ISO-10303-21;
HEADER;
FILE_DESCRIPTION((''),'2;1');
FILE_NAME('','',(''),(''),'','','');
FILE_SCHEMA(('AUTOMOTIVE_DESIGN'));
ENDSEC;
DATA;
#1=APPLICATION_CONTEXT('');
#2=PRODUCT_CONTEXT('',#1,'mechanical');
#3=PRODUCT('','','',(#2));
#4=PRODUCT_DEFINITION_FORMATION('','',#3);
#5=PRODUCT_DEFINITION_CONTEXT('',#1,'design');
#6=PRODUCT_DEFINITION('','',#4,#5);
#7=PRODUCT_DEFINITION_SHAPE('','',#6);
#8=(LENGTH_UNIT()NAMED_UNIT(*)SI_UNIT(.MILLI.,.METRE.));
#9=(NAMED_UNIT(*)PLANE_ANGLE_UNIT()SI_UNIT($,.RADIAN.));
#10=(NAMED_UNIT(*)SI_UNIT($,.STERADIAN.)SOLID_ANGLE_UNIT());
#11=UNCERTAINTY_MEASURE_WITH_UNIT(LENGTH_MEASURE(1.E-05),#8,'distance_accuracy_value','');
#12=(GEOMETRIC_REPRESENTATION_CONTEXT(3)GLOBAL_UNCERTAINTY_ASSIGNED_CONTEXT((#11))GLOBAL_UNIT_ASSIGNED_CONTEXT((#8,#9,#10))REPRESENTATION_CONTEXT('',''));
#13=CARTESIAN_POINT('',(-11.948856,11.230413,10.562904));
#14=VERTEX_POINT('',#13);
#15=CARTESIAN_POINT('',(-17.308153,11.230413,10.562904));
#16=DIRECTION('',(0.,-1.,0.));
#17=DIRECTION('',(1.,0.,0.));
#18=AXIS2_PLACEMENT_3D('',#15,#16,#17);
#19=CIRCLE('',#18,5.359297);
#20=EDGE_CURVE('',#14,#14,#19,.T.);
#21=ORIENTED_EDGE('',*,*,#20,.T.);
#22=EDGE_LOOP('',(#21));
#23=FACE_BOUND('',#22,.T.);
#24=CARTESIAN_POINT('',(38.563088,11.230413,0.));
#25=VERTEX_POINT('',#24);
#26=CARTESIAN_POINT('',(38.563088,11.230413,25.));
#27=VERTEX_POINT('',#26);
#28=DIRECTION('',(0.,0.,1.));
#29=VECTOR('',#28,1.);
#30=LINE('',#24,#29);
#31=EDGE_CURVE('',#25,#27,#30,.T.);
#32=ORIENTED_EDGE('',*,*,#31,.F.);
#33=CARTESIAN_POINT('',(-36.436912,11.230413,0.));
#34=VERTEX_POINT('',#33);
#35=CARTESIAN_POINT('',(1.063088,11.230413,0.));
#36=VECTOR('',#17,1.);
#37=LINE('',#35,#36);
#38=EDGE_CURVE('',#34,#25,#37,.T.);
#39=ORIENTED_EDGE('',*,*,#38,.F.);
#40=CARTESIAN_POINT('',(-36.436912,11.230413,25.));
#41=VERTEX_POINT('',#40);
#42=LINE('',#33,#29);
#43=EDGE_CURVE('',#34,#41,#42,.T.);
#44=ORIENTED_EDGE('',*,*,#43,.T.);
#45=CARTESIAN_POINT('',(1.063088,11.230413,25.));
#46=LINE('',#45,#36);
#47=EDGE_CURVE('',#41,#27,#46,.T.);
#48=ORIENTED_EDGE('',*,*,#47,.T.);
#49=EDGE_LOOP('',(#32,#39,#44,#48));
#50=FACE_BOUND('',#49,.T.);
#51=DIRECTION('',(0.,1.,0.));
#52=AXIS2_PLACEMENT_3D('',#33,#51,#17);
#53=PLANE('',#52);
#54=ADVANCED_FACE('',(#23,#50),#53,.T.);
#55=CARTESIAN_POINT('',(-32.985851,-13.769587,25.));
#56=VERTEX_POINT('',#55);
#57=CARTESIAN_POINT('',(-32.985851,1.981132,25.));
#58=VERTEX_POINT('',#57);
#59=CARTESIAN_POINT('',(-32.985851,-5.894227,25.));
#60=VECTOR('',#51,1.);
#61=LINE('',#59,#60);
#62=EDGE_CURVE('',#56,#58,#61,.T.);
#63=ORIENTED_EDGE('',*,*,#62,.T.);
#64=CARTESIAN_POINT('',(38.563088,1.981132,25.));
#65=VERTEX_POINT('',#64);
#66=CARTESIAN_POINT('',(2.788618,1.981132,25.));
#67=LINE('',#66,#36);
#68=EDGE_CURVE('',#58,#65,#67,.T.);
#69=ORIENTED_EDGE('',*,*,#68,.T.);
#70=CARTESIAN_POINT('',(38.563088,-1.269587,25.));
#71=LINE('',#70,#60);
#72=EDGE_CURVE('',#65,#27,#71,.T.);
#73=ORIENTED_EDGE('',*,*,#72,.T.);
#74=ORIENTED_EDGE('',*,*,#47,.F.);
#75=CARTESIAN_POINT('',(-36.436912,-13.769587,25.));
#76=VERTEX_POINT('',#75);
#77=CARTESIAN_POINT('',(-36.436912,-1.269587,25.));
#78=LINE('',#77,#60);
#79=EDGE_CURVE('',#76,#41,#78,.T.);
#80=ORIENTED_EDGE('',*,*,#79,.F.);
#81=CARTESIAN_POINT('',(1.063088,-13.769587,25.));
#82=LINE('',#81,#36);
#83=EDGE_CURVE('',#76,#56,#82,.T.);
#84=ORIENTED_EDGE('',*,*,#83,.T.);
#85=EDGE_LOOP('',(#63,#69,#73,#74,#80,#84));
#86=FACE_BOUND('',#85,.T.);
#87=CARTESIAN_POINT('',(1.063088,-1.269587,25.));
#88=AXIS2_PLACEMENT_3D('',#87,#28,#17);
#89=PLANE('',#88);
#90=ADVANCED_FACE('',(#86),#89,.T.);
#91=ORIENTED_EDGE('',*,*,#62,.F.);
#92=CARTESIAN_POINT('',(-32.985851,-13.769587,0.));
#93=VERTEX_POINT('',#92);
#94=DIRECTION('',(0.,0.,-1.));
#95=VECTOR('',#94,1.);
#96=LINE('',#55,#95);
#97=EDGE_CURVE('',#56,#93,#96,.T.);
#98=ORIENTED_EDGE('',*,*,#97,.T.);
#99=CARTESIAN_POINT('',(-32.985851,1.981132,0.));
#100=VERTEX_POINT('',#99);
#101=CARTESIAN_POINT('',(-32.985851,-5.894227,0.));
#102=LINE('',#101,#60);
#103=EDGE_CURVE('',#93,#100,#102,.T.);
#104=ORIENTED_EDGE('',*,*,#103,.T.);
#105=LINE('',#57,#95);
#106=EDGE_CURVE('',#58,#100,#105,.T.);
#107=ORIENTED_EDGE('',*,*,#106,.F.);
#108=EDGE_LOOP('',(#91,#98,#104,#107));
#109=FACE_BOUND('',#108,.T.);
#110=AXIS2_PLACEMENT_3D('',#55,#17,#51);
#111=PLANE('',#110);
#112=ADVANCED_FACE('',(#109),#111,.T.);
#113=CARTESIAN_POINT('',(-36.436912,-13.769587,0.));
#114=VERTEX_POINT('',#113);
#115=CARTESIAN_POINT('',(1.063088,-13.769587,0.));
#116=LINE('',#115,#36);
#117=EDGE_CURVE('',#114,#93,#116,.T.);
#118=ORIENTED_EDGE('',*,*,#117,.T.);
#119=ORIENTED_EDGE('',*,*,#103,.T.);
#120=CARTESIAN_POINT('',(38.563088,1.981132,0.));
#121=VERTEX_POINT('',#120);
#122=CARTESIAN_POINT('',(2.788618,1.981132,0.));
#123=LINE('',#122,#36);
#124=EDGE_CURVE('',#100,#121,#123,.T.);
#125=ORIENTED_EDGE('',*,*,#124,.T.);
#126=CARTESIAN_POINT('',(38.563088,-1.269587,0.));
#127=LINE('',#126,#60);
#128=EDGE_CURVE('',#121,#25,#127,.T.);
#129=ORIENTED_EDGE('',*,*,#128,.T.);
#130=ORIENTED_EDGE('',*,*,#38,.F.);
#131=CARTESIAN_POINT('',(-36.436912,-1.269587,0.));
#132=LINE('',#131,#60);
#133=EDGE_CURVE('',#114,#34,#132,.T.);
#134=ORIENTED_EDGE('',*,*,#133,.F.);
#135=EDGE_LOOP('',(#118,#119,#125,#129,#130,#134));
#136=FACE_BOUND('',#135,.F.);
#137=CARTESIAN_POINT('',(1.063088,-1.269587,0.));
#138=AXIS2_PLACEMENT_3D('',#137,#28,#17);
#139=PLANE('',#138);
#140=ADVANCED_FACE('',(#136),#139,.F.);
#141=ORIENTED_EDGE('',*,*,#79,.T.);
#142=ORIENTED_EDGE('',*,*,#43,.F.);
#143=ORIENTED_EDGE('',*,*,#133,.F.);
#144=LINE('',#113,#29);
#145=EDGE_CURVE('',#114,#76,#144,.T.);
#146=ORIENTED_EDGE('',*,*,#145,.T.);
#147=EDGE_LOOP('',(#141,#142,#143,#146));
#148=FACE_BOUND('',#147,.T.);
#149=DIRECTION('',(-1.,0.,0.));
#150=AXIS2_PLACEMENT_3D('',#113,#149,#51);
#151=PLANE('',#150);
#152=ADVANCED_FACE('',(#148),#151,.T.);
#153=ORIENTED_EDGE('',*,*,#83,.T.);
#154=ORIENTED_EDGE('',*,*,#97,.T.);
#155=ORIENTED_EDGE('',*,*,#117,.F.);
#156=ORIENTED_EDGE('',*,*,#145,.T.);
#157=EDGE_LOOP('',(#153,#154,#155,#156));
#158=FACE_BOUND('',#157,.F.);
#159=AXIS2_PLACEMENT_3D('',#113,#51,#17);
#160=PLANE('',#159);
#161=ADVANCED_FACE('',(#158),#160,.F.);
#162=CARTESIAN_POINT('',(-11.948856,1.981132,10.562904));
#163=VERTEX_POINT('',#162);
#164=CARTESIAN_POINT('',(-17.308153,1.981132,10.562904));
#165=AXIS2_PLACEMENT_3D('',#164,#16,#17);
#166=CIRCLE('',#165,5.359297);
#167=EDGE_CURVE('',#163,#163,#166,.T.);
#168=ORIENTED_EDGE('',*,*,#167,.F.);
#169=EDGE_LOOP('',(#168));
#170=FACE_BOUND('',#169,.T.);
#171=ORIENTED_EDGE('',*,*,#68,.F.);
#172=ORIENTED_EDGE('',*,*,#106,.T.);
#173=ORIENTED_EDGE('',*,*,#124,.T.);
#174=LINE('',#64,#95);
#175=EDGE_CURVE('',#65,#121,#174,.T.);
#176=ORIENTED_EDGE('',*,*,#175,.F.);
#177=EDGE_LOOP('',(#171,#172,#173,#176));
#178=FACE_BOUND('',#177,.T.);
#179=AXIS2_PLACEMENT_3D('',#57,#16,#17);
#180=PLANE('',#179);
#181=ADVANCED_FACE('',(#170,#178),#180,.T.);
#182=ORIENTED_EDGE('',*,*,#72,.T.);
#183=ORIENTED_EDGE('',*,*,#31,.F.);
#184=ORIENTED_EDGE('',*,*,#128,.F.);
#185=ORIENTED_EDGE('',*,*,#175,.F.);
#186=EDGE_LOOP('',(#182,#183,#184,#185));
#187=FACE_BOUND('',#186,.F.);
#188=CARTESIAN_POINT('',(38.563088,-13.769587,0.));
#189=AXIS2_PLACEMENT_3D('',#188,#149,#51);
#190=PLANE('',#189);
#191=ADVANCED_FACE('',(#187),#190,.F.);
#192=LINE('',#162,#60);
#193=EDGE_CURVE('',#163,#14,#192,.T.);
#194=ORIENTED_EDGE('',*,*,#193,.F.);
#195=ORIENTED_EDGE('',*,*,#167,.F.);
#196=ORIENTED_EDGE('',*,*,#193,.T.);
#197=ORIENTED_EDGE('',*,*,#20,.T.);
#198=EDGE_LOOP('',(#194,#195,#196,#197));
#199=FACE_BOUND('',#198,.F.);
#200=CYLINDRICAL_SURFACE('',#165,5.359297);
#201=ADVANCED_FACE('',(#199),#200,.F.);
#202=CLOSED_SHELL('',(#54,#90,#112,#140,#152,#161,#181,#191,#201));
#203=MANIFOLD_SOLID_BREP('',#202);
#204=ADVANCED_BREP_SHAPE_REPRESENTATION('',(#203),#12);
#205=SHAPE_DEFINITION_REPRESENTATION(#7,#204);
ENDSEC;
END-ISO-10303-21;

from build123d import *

# Parameters (mm, degrees)
F0_W     = 75
F0_H     = 25
F1_DEPTH = 25
F2_W     = 71.5489391237
F2_H     = 15.7507188409
F3_DEPTH = 25
F4_R     = 5.3592968527
F5_DEPTH = 25


with BuildPart() as f1:
    # F0 (on Top) → F1 (new body)
    with BuildSketch(Plane.XY):
        with Locations((1.0630879551, -1.2695866427)):
            Rectangle(F0_W, F0_H)
    extrude(amount=F1_DEPTH)

    # F2 (on face) → F3 (cut)
    with BuildSketch(Plane.XY.offset(25)):
        with Locations((2.7886183932, -5.8942272223)):
            Rectangle(F2_W, F2_H)
    extrude(amount=-F3_DEPTH, mode=Mode.SUBTRACT)

    # F4 (on face) → F5 (cut)
    with BuildSketch(Plane.XZ.offset(-1.9811321981)):
        with Locations((-17.3081532121, 10.5629041791)):
            Circle(F4_R)
    extrude(amount=-F5_DEPTH, mode=Mode.SUBTRACT)


solid = f1.part
